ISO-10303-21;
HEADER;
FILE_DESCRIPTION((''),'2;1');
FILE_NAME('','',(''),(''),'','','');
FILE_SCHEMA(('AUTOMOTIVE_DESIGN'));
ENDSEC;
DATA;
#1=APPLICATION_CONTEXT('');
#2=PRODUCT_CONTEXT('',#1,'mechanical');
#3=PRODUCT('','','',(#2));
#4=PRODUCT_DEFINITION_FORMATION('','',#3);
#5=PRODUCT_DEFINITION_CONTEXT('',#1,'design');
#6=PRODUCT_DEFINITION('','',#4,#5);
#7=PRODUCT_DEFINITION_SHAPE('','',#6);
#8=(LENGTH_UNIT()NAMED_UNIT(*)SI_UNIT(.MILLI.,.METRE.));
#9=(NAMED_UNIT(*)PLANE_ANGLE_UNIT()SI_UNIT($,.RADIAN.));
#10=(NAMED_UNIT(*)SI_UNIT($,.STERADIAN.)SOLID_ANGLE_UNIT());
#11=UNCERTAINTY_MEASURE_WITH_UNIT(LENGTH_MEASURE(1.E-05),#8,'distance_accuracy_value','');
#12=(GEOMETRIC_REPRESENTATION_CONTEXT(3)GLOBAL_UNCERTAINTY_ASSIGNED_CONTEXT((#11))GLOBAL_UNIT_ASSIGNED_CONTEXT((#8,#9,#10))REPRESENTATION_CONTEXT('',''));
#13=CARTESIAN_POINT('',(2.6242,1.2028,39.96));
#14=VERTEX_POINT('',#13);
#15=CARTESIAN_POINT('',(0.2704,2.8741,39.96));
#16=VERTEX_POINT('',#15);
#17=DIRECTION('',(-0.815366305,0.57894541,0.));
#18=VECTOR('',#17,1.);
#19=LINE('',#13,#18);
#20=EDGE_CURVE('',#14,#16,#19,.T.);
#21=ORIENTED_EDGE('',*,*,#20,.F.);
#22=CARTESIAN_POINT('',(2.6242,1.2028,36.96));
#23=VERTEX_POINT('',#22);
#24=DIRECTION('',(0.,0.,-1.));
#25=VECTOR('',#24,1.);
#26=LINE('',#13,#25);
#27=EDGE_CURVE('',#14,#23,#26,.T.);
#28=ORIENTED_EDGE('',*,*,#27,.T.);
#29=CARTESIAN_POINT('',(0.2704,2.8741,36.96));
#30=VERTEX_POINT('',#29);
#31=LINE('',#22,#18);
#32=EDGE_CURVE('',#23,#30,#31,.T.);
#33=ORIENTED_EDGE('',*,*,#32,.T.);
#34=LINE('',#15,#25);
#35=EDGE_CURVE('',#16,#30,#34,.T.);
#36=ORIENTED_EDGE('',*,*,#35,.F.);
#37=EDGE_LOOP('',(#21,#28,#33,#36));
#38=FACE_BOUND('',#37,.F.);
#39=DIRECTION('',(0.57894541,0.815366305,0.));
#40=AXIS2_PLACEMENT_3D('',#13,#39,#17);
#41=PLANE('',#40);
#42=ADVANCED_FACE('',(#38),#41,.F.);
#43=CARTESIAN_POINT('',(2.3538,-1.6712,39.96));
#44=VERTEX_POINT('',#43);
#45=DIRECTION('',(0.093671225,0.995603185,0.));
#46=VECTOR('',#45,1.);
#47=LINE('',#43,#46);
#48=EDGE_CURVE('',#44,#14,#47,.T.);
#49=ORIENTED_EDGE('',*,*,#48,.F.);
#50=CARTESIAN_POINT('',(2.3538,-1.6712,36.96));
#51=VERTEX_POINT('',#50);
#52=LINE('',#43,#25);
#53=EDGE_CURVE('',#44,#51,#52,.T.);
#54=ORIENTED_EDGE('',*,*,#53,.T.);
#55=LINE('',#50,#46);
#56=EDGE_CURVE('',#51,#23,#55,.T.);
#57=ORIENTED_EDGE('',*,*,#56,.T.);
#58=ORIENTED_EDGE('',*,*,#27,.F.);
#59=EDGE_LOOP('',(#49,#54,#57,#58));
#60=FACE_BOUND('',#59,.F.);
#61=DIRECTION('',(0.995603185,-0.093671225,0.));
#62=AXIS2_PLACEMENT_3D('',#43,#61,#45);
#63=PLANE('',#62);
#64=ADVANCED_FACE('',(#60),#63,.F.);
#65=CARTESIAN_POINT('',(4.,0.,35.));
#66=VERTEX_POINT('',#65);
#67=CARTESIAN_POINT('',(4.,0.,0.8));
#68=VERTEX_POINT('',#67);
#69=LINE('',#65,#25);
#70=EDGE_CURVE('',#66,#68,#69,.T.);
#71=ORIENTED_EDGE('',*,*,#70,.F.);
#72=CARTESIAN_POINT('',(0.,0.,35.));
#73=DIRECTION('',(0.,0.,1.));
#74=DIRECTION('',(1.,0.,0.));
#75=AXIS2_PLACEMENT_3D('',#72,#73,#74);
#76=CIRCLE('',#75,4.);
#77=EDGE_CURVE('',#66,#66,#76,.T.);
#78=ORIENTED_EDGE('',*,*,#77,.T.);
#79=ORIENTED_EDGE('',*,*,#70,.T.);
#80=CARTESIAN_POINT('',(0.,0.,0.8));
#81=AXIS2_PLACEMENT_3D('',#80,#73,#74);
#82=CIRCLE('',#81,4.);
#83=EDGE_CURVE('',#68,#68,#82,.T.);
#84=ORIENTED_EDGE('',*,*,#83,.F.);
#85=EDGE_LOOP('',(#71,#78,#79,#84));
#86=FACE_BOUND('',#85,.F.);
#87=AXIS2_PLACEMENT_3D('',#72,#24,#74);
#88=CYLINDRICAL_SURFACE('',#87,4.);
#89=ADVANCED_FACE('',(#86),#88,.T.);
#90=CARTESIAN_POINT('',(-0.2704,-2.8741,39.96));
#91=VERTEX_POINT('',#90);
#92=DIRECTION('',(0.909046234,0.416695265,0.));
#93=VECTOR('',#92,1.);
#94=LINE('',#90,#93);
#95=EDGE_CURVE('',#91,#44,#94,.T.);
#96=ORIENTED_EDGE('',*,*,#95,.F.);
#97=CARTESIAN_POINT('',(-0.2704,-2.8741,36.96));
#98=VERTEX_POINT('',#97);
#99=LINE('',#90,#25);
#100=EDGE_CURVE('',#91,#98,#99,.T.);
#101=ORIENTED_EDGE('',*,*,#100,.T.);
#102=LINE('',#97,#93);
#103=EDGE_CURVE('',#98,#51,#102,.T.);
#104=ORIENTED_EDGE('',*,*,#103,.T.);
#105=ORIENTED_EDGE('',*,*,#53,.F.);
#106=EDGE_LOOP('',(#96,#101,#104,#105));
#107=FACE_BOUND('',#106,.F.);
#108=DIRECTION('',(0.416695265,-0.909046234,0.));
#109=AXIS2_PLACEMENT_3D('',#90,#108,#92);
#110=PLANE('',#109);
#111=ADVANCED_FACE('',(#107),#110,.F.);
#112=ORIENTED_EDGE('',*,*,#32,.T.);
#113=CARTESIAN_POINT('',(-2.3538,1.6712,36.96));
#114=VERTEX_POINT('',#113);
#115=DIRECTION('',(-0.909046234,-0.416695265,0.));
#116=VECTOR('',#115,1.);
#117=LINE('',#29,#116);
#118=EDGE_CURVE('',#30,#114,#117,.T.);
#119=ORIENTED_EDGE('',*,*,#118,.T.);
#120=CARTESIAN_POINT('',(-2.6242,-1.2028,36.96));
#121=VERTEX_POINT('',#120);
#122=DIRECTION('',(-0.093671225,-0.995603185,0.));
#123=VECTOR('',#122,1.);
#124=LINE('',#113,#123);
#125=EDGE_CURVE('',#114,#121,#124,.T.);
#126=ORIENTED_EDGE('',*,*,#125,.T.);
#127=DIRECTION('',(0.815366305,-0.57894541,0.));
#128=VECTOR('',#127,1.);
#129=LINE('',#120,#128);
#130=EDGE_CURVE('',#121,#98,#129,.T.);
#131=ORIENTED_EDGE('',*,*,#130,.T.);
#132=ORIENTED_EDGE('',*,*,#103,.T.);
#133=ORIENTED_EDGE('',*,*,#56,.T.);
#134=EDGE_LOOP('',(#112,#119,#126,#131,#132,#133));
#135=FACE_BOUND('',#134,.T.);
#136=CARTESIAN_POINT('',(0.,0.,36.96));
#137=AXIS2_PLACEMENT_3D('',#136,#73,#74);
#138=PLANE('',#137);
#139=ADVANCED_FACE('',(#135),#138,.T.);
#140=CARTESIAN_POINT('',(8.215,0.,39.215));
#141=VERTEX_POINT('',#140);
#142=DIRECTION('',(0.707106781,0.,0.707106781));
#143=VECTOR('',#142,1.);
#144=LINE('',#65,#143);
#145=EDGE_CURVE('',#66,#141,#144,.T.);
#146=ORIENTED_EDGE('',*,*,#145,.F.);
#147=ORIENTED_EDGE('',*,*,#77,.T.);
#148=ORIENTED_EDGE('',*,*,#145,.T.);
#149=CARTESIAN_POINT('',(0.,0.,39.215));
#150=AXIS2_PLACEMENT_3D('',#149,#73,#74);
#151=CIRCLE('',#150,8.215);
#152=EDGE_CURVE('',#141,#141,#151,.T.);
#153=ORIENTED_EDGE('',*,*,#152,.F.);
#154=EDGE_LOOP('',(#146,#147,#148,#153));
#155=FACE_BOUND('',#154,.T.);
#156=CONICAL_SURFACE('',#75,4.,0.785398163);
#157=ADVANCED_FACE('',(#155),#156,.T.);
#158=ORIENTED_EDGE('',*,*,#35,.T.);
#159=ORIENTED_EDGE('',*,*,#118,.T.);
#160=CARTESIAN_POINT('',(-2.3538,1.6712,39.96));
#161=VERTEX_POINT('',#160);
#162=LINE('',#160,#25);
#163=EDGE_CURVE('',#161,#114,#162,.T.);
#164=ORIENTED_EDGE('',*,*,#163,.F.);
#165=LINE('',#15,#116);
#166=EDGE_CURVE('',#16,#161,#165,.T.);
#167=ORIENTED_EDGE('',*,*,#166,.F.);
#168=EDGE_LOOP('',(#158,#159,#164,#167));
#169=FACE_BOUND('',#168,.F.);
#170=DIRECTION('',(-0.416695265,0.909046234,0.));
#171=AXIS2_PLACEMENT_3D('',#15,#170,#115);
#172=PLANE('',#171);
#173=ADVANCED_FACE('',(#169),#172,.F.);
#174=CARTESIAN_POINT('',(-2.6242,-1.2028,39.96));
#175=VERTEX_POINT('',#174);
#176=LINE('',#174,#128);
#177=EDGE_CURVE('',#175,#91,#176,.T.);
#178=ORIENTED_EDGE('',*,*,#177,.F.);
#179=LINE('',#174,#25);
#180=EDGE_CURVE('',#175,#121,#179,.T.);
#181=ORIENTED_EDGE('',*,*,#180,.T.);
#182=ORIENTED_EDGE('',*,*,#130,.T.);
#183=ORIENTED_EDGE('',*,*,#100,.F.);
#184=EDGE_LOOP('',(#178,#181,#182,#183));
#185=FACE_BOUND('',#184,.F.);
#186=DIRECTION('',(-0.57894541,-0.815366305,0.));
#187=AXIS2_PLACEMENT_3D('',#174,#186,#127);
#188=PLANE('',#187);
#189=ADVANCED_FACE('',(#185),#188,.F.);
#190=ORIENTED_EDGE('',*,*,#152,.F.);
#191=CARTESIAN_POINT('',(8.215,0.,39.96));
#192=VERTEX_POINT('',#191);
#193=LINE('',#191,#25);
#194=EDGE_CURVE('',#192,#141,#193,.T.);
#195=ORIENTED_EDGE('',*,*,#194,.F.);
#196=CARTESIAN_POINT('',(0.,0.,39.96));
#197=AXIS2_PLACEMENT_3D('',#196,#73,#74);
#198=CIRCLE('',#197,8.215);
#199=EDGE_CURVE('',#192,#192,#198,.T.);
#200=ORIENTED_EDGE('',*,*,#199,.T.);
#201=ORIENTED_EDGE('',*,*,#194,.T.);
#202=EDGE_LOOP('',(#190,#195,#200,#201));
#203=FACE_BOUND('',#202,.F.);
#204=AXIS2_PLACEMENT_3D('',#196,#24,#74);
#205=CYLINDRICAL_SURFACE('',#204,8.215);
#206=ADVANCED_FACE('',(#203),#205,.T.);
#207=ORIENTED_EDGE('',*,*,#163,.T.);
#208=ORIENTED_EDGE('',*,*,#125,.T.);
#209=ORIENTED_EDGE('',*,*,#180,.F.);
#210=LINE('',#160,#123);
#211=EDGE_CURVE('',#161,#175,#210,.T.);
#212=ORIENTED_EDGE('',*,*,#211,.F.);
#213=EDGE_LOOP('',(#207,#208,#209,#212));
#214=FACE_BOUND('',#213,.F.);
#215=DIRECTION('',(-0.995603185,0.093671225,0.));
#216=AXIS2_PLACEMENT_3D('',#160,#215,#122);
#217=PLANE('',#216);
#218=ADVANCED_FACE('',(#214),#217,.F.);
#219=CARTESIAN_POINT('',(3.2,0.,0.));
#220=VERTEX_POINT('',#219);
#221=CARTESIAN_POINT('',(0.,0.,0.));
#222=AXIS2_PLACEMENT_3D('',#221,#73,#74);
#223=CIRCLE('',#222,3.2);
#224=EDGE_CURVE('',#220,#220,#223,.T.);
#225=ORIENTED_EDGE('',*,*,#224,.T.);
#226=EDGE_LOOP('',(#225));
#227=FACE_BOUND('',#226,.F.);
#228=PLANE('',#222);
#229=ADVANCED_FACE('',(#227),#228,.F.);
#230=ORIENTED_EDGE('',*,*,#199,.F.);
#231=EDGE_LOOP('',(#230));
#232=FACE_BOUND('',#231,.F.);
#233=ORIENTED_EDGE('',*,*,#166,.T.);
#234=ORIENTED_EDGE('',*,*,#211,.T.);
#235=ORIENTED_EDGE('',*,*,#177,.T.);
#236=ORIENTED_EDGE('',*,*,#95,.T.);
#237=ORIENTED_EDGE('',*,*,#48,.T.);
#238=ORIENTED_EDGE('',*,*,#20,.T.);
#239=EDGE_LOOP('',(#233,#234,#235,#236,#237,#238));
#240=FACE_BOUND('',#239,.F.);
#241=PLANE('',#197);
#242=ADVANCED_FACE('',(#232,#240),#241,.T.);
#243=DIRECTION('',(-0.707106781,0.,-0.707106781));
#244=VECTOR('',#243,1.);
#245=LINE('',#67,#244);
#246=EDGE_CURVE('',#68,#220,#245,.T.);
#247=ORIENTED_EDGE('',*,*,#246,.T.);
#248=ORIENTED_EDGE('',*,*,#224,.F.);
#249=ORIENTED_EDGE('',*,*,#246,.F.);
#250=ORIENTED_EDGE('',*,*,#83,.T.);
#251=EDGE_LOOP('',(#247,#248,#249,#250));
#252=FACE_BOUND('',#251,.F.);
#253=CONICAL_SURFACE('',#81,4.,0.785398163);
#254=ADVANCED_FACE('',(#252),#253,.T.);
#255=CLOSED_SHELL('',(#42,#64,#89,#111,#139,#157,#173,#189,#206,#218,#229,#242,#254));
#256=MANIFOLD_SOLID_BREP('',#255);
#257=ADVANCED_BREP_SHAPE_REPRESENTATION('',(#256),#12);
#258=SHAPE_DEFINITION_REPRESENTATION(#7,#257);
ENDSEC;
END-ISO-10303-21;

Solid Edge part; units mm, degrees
sketch "Sketch1" plane through (0, 0, 0) normal (0, -1, 0) x (1, 0, 0)
  line L0 (4, 35) -> (4, 0)
  line L1 (4, 0) -> (0, 0)
  line L2 (0, 0) -> (0, 39.96)
  line L3 (0, 39.96) -> (8.215, 39.96)
  line L4 (8.215, 39.96) -> (8.215, 39.215)
  line L5 (4, 35) -> (8.215, 39.215)
revolve "RevolvedProtrusion1" add sketch "Sketch1" angle 360 about axis through (0, 0, 0) along (0, 0, 1)
sketch "Sketch2" plane through (0, 0, 39.96) normal (0, 0, 1) x (0, 1, 0)
  line L0 (1.2028, -2.6242) -> (2.8741, -0.2704)
  line L1 (2.8741, -0.2704) -> (1.6712, 2.3538)
  line L2 (1.6712, 2.3538) -> (-1.2028, 2.6242)
  line L3 (-1.2028, 2.6242) -> (-2.8741, 0.2704)
  line L4 (-2.8741, 0.2704) -> (-1.6712, -2.3538)
  line L5 (-1.6712, -2.3538) -> (1.2028, -2.6242)
extrude "Cutout1" cut sketch "Sketch2" against normal blind 3
cosmetic_thread "Thread1" size "M8"
chamfer "Chamfer1" distance 0.8 angle 45 1 edges at (-4, 0, 0)
properties material "Stainless steel"
